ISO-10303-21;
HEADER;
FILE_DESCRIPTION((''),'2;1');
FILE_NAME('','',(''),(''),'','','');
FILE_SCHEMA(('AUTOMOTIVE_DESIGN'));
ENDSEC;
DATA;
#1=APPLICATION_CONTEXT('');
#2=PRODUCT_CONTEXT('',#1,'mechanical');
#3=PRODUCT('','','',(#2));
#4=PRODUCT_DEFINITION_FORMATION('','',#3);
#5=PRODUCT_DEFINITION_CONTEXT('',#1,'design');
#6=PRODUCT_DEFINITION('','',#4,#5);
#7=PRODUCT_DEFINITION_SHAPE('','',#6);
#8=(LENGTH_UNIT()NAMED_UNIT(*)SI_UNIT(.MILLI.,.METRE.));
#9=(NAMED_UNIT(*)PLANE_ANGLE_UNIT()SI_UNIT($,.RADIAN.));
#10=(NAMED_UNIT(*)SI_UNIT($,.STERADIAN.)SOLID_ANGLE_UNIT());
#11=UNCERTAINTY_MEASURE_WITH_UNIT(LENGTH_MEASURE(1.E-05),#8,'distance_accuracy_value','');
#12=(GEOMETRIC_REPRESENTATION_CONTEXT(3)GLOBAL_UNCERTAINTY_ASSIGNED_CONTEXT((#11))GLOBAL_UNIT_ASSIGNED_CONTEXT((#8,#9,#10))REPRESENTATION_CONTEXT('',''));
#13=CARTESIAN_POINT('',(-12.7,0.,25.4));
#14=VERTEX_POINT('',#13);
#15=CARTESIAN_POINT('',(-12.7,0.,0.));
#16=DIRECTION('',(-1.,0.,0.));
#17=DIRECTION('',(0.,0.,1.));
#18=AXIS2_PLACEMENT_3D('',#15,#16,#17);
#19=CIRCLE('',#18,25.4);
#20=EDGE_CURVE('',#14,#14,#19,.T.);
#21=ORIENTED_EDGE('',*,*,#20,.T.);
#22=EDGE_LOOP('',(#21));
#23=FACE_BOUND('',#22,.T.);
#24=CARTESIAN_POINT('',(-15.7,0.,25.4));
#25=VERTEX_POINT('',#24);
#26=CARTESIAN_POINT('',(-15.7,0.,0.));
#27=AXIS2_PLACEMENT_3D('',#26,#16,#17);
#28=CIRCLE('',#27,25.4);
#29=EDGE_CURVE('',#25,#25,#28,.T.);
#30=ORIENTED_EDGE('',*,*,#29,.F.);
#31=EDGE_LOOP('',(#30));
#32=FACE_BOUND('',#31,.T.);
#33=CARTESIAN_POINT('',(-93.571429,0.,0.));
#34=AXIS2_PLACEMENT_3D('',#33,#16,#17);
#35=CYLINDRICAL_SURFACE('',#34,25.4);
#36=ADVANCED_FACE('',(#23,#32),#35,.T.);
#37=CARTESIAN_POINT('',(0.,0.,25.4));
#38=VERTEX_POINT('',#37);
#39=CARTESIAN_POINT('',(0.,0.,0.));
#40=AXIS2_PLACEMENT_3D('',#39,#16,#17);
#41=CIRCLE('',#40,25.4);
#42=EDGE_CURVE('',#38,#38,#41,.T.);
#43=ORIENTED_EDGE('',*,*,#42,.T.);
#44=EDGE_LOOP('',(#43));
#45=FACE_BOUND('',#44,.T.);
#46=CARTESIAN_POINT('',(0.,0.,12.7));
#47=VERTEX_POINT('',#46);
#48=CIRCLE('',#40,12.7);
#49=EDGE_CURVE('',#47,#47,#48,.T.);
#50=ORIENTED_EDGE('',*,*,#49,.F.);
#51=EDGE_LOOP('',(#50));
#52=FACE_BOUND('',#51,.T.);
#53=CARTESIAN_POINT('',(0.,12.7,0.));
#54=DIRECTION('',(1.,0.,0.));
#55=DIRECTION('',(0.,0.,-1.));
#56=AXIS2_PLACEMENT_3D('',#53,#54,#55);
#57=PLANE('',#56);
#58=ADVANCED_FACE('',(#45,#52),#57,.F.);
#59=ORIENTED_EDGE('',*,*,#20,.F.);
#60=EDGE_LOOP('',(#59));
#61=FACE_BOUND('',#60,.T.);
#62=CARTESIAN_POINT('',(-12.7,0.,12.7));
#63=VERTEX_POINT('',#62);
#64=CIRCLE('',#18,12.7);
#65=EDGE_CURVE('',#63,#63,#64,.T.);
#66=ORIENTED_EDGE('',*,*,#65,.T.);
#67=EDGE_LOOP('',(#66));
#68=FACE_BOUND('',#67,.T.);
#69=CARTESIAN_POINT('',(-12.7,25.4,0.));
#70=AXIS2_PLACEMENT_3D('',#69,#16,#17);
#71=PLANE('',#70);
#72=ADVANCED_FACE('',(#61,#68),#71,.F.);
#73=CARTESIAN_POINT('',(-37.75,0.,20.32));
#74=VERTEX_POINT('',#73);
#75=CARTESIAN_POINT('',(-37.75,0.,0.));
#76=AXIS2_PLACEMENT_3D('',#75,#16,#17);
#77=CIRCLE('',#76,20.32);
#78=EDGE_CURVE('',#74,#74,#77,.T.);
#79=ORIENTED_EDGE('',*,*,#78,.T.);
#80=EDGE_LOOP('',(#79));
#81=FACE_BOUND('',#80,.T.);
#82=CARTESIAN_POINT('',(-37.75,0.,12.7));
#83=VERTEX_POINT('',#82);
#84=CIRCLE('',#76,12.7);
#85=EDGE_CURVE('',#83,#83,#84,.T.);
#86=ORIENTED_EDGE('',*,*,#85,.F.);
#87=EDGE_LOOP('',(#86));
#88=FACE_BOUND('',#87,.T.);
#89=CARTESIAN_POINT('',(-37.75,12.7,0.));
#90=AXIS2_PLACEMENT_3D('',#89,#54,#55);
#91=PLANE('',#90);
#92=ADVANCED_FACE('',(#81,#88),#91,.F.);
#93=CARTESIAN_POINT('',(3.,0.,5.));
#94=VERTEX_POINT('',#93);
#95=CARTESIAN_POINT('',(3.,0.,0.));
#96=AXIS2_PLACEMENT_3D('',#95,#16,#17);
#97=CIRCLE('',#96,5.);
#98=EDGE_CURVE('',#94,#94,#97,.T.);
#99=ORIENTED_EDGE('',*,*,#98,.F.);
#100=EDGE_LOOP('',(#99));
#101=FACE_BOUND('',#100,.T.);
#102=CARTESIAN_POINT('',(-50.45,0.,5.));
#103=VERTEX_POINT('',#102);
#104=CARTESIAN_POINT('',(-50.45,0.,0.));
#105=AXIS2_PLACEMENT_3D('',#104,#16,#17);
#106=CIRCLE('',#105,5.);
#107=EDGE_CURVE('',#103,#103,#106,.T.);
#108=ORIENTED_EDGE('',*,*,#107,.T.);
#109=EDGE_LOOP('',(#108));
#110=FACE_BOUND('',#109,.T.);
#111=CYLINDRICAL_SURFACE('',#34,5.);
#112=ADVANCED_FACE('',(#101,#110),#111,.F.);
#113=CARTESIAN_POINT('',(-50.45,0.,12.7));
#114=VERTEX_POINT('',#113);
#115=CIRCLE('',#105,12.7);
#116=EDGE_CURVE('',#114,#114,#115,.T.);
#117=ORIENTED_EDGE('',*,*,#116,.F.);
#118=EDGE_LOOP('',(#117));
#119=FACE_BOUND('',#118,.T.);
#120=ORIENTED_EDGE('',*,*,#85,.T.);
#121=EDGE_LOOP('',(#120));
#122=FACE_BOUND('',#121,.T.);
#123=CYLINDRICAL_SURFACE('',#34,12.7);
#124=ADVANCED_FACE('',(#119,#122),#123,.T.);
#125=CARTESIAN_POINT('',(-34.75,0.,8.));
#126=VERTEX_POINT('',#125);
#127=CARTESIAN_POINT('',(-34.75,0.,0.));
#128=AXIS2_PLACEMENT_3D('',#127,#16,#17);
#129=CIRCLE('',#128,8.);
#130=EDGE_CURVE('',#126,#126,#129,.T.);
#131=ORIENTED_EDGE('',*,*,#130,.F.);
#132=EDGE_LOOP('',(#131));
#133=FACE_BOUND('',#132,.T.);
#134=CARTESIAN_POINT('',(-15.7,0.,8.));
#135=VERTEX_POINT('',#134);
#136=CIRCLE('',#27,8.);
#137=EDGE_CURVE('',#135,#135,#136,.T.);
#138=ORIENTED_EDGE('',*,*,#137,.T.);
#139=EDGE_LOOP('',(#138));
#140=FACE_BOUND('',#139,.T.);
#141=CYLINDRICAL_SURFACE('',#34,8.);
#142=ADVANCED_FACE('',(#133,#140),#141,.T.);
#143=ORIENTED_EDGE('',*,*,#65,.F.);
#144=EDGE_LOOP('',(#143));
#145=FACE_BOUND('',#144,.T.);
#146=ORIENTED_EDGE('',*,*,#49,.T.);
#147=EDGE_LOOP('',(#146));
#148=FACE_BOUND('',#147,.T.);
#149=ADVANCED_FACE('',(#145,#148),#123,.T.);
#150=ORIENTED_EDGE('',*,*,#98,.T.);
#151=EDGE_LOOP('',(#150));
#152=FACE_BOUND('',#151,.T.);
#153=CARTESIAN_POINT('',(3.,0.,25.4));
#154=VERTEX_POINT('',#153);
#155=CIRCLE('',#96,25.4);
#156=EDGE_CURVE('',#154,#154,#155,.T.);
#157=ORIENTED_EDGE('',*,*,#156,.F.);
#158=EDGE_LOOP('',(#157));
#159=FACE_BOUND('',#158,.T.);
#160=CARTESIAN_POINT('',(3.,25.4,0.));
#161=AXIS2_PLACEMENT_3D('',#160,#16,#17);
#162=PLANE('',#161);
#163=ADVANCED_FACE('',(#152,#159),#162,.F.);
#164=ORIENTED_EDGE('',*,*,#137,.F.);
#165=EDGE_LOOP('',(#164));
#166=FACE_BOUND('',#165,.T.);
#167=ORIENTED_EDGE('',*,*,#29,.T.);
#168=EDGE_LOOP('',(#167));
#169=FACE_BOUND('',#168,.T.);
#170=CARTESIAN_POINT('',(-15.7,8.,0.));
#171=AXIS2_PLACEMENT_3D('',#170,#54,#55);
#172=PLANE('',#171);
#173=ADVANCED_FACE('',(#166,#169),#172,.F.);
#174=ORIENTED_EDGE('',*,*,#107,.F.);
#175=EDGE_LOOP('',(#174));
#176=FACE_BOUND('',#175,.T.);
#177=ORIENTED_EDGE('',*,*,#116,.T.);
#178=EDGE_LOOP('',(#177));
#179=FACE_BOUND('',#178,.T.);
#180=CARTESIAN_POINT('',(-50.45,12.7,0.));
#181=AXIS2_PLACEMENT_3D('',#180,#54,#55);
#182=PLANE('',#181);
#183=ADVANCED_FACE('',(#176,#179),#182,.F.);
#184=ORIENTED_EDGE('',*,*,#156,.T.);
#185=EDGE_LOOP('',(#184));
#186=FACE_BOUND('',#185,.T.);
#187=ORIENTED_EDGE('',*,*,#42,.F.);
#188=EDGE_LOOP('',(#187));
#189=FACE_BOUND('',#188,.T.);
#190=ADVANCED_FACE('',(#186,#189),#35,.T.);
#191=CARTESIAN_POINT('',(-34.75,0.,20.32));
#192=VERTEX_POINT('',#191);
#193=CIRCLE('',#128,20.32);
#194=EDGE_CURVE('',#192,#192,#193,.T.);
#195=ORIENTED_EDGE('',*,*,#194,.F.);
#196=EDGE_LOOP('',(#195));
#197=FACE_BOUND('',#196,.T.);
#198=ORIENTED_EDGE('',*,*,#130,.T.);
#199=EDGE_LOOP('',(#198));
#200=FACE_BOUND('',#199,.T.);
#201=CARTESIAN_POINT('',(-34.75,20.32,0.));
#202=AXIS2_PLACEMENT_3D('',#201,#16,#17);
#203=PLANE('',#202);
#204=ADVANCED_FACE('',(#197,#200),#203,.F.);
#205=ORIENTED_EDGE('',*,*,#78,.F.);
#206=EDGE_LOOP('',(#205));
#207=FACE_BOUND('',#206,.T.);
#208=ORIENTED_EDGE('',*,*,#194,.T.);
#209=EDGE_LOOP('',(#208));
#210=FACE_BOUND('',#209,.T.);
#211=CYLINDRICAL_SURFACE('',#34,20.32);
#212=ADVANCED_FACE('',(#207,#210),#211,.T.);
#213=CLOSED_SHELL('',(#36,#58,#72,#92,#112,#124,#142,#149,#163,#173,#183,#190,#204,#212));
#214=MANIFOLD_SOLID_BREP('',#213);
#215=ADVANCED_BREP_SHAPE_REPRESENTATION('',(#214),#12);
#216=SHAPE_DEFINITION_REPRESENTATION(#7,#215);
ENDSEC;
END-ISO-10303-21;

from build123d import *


with BuildPart() as part:
    # Sketch1 → Revolve1 (revolve)
    with BuildSketch(Plane.XY, mode=Mode.PRIVATE) as revolve1_sk:
        Polygon((-50.45, 12.7), (-37.75, 12.7), (-37.75, 20.32), (-34.75, 20.32), (-34.75, 8), (-15.7, 8), (-15.7, 25.4), (-12.7, 25.4), (-12.7, 12.7), (0, 12.7), (0, 25.4), (3, 25.4), (3, 5), (-50.45, 5), align=None)
    revolve(revolve1_sk.sketch.rotate(Axis((-93.571428571, 0, 0), (1, 0, 0)), 90), axis=Axis((-93.571428571, 0, 0), (1, 0, 0)))


solid = part.part
